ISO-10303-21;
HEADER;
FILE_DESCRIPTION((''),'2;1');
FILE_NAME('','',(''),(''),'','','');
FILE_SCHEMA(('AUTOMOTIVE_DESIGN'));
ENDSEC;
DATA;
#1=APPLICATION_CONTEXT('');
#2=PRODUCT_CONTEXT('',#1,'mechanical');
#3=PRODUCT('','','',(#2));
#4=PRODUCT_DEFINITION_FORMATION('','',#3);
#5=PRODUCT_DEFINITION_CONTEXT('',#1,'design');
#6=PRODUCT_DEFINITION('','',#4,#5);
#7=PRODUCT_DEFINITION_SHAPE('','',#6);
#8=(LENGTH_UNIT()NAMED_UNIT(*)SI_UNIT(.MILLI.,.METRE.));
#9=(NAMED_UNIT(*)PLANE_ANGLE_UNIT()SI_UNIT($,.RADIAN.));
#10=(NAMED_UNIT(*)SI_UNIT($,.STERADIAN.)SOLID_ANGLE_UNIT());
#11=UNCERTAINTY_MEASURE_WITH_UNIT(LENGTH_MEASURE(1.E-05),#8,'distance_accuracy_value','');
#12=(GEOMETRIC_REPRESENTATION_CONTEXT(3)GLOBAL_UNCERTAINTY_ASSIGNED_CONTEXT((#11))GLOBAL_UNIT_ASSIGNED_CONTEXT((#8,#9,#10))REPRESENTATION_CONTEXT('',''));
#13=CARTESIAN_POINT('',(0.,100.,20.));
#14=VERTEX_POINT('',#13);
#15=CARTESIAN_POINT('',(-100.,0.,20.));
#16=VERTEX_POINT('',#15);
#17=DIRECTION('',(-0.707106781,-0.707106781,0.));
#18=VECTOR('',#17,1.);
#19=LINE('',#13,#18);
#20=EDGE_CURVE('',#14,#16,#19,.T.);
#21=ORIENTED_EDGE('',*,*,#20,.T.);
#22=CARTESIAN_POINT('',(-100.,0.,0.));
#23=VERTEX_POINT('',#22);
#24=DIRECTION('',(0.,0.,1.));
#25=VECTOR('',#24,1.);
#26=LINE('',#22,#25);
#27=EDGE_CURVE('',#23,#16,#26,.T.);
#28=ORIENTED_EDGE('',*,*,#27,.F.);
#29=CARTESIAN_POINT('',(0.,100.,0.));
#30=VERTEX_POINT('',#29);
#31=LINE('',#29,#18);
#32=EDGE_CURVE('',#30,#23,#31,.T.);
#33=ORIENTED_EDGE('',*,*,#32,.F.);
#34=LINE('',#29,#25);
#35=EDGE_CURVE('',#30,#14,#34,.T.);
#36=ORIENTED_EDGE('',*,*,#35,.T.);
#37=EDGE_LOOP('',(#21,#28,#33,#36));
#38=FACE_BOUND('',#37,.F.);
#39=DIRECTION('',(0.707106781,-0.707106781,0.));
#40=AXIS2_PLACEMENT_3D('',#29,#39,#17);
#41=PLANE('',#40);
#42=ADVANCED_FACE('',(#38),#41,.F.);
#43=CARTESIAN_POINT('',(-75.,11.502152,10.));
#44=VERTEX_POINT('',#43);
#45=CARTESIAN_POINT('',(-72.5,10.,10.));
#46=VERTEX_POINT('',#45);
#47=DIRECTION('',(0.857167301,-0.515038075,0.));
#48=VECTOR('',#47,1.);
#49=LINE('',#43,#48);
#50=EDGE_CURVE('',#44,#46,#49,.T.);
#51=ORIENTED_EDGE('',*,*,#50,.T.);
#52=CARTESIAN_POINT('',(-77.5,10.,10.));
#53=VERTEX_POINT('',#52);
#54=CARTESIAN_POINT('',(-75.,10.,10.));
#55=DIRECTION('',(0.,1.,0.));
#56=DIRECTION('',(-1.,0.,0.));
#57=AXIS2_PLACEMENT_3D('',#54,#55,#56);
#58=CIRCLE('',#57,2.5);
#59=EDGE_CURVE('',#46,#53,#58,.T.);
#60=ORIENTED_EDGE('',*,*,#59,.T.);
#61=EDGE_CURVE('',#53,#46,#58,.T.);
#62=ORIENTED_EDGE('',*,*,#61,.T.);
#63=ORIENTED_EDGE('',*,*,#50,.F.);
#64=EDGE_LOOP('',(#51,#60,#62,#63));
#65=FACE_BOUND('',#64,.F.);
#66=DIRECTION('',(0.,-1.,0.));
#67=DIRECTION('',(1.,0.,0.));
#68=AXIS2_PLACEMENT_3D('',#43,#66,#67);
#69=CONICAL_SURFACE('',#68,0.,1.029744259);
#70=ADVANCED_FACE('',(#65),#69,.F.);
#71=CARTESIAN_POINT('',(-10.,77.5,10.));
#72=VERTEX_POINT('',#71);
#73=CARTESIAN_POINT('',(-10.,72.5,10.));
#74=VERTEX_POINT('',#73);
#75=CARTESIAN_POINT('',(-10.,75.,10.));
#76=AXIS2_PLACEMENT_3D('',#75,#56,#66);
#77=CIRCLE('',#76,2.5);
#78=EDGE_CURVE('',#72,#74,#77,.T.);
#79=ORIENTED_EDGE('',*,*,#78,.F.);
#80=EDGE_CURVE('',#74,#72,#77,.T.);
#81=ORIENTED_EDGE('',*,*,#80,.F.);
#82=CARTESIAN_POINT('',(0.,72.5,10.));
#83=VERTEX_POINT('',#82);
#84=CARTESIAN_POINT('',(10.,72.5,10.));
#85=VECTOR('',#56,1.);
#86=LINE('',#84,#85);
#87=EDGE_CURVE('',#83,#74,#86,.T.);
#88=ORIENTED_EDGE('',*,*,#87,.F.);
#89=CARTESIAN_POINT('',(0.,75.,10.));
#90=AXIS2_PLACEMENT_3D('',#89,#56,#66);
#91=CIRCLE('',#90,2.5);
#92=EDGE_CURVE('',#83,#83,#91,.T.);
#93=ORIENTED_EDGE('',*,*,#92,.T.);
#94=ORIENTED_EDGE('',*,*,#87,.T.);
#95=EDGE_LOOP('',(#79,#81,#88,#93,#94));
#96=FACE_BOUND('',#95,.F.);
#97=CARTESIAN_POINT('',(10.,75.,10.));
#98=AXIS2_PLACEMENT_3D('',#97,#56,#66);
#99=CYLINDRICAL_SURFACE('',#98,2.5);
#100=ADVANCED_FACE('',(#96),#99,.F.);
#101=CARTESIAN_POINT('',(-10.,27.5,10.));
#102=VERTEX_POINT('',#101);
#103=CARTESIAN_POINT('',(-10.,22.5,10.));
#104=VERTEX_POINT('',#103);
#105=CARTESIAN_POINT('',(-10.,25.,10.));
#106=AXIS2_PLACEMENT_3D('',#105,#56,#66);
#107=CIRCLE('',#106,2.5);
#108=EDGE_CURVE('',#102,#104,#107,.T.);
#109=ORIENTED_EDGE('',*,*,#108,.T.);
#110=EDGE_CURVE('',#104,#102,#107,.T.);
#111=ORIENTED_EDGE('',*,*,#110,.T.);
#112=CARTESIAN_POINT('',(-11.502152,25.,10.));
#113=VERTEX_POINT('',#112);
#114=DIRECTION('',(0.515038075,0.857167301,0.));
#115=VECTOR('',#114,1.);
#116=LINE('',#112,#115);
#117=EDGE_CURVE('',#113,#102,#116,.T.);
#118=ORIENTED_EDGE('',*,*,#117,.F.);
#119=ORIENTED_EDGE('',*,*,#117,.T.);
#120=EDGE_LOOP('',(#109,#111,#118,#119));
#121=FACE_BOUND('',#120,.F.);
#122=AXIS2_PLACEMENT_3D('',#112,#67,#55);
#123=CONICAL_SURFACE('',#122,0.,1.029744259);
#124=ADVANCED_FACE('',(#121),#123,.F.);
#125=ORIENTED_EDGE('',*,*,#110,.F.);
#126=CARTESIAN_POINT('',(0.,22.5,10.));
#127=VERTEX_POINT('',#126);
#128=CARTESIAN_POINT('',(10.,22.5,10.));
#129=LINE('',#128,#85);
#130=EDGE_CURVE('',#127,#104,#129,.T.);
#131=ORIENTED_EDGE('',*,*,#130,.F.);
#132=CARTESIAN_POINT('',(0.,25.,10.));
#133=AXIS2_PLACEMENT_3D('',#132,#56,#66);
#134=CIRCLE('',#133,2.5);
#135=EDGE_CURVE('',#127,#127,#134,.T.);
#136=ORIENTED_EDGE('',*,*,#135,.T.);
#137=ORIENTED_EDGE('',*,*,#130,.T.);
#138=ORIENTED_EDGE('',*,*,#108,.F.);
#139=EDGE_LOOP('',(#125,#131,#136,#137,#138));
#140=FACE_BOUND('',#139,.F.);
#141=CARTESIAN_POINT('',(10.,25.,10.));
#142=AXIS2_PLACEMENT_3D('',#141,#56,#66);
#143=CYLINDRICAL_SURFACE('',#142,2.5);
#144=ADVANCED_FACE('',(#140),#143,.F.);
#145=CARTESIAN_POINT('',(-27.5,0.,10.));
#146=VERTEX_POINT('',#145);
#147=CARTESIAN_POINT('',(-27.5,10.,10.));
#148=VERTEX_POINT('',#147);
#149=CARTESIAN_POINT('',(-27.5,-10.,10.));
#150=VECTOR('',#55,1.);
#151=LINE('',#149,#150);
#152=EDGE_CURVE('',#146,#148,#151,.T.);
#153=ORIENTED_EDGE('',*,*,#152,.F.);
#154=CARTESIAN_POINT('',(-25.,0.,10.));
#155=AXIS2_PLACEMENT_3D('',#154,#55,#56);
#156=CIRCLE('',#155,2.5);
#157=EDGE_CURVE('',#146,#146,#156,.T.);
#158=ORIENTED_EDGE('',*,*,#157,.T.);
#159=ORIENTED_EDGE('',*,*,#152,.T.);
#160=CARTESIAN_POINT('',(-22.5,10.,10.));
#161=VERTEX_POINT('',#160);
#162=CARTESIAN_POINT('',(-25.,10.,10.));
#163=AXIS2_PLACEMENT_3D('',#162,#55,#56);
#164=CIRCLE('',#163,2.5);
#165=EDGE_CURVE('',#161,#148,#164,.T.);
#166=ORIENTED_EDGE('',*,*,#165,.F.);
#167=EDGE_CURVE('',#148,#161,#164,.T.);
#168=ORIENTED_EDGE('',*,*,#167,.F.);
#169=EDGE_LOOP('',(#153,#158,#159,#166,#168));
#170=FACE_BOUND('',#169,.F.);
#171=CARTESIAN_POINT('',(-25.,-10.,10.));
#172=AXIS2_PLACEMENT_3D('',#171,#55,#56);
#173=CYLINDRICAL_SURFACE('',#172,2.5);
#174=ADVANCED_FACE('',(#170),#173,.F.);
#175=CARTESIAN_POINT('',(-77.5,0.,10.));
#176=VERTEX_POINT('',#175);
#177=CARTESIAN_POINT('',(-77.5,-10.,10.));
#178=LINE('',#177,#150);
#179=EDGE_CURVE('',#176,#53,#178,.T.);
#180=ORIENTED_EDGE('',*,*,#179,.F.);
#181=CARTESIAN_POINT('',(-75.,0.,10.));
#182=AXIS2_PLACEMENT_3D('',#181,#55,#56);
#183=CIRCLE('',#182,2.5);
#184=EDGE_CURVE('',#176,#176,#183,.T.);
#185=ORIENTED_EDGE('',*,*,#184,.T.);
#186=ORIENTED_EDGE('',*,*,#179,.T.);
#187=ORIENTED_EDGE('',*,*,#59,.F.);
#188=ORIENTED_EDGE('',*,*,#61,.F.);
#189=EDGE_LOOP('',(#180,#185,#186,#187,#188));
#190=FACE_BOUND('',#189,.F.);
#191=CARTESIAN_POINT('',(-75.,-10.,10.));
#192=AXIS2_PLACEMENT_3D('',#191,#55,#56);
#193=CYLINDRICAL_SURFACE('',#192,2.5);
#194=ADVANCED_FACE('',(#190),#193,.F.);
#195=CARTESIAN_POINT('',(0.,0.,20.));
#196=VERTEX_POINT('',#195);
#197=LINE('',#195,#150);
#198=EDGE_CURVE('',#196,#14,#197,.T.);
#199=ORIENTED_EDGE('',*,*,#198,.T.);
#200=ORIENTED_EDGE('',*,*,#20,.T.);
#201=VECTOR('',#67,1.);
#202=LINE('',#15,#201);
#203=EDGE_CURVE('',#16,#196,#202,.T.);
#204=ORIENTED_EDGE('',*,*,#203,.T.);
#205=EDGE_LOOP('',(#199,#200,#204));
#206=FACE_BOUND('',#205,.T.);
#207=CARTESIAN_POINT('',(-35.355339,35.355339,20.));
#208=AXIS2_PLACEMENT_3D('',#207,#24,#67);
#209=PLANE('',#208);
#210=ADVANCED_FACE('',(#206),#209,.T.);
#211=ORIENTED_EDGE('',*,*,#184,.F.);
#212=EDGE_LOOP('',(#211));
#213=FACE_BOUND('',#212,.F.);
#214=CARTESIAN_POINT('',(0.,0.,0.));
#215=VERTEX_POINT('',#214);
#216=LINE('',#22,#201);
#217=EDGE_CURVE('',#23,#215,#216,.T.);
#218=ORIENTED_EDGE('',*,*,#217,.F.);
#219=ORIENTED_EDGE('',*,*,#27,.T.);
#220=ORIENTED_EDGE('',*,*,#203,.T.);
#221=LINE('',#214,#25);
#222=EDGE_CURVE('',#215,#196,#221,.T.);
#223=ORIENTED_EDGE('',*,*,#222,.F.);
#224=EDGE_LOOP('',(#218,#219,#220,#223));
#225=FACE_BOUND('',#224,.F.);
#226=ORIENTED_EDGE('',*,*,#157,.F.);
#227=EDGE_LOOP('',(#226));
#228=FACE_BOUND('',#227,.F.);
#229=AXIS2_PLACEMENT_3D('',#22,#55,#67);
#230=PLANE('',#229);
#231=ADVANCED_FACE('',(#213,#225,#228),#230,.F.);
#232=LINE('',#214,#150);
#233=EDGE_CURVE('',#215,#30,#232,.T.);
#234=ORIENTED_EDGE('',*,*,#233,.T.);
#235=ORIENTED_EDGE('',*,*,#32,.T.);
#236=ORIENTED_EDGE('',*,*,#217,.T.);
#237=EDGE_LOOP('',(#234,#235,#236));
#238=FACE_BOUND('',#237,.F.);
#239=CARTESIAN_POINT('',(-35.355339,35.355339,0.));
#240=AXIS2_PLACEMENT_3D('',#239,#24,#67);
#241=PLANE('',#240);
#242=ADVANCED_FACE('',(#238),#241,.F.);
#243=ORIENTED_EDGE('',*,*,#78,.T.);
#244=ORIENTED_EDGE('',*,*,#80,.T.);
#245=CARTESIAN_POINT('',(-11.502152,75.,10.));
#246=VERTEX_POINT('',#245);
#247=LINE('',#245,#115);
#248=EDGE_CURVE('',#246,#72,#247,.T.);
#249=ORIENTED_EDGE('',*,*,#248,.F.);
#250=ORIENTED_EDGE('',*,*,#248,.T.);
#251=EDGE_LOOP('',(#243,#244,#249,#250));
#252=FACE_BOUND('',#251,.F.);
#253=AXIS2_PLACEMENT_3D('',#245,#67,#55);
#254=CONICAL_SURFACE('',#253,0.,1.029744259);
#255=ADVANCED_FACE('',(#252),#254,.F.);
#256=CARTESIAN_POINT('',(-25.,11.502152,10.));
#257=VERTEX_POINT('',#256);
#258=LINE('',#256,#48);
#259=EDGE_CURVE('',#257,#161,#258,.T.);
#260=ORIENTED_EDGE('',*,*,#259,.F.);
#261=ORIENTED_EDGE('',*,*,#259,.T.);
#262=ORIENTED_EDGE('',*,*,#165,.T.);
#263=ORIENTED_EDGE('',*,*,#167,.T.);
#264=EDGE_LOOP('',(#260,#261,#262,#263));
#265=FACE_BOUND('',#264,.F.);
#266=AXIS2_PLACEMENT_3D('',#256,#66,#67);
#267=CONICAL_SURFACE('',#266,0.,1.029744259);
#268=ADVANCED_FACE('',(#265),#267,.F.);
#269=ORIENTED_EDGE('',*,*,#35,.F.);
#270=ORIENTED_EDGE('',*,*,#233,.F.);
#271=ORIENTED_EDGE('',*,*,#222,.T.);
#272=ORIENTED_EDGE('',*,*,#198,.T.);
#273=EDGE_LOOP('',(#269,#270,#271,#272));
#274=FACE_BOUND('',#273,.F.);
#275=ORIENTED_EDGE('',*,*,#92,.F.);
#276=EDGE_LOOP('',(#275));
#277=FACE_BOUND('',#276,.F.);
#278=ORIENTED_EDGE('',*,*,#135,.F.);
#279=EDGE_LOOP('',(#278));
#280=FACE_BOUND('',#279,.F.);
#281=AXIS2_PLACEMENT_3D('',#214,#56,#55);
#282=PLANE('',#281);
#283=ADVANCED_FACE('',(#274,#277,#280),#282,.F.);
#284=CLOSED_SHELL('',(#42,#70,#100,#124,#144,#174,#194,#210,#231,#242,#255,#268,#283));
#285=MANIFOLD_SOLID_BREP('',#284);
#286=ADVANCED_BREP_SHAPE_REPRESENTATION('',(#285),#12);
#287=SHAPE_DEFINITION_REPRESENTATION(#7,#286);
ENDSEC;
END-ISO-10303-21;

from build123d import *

# Parameters (mm, degrees)
F1_DEPTH = 20
F3_D     = 5
F3_DEPTH = 10
F3_TIP   = 1.5021515476
F5_D     = 5
F5_DEPTH = 10
F5_TIP   = 1.5021515476


with BuildPart() as f1:
    # F0 (on Top) → F1 (new body)
    with BuildSketch(Plane.XY):
        Polygon((-100, 0), (0, 0), (0, 100), align=None)
    extrude(amount=F1_DEPTH)

    # F3
    with Locations(Plane.YZ):
        with Locations((75, 10), (25, 10)):
            Hole(F3_D / 2, depth=F3_DEPTH)
            with Locations((0, 0, -(F3_DEPTH + F3_TIP / 2))):  # 118° drill point
                Cone(0, F3_D / 2, F3_TIP, mode=Mode.SUBTRACT)

    # F5
    with Locations(Plane.XZ):
        with Locations((-25, 10), (-75, 10)):
            Hole(F5_D / 2, depth=F5_DEPTH)
            with Locations((0, 0, -(F5_DEPTH + F5_TIP / 2))):  # 118° drill point
                Cone(0, F5_D / 2, F5_TIP, mode=Mode.SUBTRACT)


solid = f1.part
